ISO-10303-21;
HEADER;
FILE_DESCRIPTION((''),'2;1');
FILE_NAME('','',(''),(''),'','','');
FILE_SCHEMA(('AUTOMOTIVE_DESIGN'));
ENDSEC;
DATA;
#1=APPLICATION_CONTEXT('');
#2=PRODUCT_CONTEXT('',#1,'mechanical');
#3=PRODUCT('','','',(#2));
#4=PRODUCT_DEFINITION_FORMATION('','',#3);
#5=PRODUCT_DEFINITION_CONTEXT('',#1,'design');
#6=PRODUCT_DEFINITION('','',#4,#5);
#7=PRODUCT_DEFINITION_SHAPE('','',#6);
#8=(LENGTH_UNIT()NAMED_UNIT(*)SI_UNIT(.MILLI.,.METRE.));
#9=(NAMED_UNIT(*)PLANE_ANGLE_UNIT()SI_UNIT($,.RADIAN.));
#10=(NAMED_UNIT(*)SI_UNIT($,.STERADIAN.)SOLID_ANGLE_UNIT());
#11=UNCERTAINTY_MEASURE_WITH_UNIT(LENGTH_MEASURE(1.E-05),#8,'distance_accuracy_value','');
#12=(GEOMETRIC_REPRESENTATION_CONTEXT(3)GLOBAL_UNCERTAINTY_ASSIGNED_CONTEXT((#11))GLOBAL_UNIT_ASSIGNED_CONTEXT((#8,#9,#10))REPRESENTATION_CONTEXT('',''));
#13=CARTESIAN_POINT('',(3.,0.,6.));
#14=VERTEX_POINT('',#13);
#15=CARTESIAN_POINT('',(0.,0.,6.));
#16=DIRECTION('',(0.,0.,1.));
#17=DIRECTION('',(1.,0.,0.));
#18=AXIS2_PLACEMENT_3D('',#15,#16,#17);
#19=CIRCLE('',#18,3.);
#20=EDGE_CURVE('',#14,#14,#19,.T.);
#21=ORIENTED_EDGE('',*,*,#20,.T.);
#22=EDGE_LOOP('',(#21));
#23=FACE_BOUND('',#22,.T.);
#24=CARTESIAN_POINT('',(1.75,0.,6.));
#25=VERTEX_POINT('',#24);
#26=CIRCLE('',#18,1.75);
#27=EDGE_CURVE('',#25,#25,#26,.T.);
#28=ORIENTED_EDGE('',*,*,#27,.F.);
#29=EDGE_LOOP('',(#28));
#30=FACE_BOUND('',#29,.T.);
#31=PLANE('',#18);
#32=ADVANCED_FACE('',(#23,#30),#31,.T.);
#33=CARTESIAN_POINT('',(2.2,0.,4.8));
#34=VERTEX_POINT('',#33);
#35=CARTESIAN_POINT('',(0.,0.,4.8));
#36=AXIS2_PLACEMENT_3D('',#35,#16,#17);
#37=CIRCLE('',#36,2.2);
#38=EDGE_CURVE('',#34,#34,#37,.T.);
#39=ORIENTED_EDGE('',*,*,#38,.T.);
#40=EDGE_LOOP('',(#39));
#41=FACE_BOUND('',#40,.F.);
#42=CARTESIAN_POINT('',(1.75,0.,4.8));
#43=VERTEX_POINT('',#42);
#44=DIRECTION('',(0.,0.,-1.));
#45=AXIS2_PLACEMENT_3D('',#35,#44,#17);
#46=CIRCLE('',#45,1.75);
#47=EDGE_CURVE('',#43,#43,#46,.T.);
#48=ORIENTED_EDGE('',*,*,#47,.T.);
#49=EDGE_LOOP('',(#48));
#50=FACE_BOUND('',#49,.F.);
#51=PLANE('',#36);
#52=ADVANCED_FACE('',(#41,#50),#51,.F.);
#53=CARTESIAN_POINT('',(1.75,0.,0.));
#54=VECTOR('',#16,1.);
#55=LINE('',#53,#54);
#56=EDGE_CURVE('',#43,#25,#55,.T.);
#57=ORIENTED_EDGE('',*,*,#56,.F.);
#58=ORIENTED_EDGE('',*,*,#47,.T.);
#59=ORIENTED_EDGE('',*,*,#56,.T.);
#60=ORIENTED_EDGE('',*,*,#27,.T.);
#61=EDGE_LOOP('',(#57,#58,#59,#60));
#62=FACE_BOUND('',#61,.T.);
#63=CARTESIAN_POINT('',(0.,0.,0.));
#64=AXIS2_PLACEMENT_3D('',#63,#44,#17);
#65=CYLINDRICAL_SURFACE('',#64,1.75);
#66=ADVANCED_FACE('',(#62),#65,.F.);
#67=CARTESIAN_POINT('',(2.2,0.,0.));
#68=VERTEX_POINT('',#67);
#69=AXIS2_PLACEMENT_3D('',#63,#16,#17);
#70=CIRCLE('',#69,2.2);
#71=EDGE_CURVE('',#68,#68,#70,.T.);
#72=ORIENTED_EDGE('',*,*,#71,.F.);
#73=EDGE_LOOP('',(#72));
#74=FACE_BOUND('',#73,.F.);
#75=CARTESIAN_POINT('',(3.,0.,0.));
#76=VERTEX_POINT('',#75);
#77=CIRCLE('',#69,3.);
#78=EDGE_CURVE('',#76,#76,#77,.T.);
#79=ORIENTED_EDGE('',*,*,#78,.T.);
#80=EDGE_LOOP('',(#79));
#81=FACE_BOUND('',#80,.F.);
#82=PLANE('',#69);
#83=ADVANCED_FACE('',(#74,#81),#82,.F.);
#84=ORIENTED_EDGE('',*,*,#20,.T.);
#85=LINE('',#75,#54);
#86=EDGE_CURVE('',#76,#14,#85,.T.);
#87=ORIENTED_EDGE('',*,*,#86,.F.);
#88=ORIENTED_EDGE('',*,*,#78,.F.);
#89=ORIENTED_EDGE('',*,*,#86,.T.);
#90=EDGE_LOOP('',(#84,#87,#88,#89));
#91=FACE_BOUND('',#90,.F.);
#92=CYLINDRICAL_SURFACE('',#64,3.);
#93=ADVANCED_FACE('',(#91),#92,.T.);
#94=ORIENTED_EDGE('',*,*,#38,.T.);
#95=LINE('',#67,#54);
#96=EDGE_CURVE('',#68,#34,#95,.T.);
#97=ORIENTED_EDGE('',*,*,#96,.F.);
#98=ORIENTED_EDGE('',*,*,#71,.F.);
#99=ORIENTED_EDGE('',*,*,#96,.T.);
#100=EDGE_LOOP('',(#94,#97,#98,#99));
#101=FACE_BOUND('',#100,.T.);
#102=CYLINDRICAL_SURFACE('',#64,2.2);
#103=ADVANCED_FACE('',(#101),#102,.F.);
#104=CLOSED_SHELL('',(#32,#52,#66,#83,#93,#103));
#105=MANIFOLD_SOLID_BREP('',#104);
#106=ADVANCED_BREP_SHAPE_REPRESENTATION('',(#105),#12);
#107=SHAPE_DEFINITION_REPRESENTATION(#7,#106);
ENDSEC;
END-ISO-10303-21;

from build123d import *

# Parameters (mm, degrees)
SKETCH_R     = 3
SKETCH_R_2   = 1.75
PAD_DEPTH    = 6
SKETCH001_R  = 2.2
POCKET_DEPTH = 4.8


with BuildPart() as part:
    # Sketch → Pad (new body)
    with BuildSketch(Plane.XY):
        Circle(SKETCH_R)
        Circle(SKETCH_R_2, mode=Mode.SUBTRACT)
    extrude(amount=PAD_DEPTH)

    # Sketch001 → Pocket (cut)
    with BuildSketch(Plane.XY):
        Circle(SKETCH001_R)
    extrude(amount=POCKET_DEPTH, mode=Mode.SUBTRACT)


solid = part.part
